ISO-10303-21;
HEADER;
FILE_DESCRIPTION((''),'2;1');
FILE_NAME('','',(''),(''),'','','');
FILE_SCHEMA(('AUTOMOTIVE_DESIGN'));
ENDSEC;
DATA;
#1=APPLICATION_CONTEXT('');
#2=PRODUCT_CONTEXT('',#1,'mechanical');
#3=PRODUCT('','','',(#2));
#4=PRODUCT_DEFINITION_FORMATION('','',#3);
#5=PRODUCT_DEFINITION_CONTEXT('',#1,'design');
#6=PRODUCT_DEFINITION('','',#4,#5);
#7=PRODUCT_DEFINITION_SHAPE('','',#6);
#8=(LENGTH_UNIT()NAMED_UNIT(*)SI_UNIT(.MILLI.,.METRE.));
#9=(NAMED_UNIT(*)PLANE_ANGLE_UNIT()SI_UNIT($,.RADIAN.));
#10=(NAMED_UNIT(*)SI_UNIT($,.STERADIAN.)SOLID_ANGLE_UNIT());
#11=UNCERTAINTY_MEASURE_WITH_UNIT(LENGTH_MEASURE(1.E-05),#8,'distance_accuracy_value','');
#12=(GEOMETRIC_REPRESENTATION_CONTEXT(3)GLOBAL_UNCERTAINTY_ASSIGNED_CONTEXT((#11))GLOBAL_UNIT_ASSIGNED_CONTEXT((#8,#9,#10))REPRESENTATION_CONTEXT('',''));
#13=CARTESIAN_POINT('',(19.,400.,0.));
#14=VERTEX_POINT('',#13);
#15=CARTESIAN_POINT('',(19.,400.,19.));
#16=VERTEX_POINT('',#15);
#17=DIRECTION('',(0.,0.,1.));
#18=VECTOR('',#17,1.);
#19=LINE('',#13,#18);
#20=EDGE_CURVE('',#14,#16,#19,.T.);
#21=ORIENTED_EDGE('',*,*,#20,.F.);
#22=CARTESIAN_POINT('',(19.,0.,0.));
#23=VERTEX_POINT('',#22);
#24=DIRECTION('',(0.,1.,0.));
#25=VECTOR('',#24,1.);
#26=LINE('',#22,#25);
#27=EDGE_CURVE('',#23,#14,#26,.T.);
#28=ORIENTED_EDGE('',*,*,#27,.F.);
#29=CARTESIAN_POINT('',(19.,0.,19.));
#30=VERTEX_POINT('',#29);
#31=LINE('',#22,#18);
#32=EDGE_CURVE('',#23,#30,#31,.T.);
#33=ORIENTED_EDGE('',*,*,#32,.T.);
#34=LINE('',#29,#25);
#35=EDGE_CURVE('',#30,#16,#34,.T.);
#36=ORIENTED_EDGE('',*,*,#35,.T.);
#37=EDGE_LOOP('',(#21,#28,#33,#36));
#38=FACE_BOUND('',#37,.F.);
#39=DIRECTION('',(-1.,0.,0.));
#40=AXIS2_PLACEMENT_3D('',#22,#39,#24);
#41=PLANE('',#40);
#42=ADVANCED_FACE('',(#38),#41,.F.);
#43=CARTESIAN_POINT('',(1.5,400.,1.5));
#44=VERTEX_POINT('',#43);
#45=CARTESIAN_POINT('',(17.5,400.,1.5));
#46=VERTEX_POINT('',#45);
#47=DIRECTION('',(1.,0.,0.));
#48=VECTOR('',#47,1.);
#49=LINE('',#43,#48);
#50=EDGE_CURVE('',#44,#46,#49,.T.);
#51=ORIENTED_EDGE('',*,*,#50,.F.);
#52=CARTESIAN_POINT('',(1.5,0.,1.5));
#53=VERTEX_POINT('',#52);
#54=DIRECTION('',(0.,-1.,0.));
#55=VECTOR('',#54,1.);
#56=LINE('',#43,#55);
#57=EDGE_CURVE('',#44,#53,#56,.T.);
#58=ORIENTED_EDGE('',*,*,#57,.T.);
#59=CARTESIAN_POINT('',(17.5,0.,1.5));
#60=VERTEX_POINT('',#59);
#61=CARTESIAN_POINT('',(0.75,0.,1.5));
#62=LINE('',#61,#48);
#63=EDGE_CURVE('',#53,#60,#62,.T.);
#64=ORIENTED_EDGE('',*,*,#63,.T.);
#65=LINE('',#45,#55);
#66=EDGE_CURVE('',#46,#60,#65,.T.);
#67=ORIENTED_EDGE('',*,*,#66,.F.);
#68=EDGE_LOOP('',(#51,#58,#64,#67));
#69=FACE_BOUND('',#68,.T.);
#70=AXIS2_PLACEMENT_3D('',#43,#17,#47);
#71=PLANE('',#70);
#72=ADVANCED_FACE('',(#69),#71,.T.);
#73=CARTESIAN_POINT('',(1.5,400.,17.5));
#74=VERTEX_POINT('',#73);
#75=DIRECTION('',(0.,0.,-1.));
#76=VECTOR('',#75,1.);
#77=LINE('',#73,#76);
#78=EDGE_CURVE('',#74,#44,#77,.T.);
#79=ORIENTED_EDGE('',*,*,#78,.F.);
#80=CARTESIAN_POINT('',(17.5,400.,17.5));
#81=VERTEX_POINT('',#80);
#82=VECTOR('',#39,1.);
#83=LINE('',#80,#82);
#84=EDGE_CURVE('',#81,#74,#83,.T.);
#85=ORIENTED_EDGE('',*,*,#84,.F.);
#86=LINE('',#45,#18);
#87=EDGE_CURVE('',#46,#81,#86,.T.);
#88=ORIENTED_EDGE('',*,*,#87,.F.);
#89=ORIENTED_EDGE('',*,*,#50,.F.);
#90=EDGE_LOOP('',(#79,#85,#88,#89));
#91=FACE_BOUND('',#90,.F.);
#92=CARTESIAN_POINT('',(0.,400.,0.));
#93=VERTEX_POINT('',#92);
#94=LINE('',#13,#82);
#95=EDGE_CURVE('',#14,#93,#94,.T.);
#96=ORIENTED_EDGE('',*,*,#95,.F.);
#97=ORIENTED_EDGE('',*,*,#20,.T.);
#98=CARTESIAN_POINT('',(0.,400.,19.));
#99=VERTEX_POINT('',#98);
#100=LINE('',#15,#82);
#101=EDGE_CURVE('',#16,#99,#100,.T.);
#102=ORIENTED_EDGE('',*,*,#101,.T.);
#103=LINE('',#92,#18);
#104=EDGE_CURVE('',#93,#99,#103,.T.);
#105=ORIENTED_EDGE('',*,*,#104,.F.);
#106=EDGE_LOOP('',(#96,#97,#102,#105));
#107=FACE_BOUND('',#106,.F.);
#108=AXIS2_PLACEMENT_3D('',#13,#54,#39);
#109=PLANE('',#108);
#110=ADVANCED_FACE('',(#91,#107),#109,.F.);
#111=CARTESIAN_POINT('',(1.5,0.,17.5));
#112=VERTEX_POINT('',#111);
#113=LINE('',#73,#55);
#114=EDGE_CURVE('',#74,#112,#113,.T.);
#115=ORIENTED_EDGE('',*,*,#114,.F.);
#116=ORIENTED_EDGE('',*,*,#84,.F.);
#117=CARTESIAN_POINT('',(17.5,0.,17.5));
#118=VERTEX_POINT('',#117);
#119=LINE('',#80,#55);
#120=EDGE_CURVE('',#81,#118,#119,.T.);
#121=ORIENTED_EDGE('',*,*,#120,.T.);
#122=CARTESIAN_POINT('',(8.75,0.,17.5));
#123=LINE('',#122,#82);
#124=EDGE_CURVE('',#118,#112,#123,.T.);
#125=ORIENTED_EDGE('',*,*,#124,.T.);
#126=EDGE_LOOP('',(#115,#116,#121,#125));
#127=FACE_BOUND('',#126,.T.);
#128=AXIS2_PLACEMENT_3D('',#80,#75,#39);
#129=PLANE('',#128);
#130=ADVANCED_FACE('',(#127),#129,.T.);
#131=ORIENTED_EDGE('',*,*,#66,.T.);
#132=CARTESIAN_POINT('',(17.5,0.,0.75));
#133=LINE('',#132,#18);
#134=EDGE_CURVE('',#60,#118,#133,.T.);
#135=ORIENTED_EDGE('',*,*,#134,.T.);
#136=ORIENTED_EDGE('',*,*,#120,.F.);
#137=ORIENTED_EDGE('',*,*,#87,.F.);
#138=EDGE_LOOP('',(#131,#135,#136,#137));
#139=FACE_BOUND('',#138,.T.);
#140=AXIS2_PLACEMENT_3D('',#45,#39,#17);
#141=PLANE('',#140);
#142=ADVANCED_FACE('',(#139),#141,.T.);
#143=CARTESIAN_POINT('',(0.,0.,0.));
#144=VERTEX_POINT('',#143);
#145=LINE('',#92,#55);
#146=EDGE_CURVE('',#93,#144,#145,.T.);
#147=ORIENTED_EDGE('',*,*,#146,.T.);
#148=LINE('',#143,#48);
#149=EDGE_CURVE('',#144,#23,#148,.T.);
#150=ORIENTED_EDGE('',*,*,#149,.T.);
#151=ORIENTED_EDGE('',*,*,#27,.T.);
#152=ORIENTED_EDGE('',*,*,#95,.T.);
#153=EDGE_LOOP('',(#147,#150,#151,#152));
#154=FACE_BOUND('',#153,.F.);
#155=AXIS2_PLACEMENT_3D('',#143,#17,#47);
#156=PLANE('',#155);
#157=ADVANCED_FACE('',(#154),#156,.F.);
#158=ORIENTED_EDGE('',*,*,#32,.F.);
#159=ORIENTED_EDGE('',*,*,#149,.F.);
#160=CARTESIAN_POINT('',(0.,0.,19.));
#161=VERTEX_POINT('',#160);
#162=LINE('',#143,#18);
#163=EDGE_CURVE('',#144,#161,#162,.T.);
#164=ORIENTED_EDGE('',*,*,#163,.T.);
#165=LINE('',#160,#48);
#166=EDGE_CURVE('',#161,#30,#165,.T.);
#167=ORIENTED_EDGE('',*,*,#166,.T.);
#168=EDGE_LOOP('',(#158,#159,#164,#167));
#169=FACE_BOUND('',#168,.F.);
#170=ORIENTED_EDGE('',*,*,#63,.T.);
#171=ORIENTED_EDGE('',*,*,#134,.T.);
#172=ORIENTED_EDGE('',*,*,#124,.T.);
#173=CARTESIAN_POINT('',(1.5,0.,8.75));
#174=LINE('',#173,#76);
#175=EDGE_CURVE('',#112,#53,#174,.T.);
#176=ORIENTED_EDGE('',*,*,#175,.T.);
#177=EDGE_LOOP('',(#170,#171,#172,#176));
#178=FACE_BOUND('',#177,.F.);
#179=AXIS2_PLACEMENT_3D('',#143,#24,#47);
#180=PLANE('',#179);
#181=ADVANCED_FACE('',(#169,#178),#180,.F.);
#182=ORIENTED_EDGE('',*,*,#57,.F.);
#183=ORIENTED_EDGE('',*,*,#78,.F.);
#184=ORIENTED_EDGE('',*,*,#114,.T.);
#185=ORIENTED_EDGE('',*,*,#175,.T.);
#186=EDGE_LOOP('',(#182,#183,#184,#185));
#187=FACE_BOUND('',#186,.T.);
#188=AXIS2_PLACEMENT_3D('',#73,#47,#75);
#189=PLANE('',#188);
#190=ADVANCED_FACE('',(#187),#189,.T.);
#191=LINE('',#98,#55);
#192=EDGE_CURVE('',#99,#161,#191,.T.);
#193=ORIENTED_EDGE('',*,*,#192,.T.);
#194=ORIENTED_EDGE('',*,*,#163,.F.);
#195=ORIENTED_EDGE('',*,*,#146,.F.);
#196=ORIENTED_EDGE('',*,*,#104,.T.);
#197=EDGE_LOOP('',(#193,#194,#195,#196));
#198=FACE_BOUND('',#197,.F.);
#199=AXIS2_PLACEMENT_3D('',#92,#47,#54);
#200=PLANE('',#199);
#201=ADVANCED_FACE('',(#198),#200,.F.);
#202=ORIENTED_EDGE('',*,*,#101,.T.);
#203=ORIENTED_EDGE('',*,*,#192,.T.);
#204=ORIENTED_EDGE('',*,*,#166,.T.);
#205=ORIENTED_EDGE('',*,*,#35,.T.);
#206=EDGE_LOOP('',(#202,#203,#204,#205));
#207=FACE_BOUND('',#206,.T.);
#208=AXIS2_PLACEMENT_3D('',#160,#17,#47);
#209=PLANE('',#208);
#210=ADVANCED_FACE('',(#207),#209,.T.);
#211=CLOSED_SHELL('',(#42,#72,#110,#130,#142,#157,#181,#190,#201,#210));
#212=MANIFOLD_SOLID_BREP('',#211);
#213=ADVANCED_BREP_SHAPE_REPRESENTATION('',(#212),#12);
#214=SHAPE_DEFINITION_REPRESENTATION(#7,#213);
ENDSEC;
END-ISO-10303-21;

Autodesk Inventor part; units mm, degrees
ref_plane "YZ Plane" through (0, 0, 0) normal (1, 0, 0) x (0, 1, 0)
ref_plane "XZ Plane" through (0, 0, 0) normal (0, 1, 0) x (-1, 0, 0)
ref_plane "XY Plane" through (0, 0, 0) normal (0, 0, 1) x (1, 0, 0)
sketch "Sketch1" plane through (0, 0, 0) normal (0, 0, 1) x (1, 0, 0)
  line L0 (0, 0) -> (19, 0)
  line L1 (19, 0) -> (19, 400)
  line L2 (19, 400) -> (0, 400)
  line L3 (0, 400) -> (0, 0)
  dimension "d0" = 19
  dimension "d1" = 400
extrude "Extrusion1" add sketch "Sketch1" along normal blind 19
sketch "Sketch2" plane through (0, 400, 0) normal (0, 1, 0) x (1, 0, 0)
  line L0 (19, 0) -> (0, 0) projected
  line L1 (0, 0) -> (0, -19) projected
  line L2 (19, -19) -> (0, -19) projected
  line L3 (19, 0) -> (19, -19) projected
  line L4 (1.5, -17.5) -> (1.5, -1.5)
  line L5 (1.5, -1.5) -> (17.5, -1.5)
  line L6 (17.5, -1.5) -> (17.5, -17.5)
  line L7 (17.5, -17.5) -> (1.5, -17.5)
  point P0 (0, 0)
  dimension "d4" = 1.5
extrude "Extrusion2" cut sketch "Sketch2" against normal through all contours L4 L5 L6 L7
properties part number "C001" material "Aluminum 6061"
